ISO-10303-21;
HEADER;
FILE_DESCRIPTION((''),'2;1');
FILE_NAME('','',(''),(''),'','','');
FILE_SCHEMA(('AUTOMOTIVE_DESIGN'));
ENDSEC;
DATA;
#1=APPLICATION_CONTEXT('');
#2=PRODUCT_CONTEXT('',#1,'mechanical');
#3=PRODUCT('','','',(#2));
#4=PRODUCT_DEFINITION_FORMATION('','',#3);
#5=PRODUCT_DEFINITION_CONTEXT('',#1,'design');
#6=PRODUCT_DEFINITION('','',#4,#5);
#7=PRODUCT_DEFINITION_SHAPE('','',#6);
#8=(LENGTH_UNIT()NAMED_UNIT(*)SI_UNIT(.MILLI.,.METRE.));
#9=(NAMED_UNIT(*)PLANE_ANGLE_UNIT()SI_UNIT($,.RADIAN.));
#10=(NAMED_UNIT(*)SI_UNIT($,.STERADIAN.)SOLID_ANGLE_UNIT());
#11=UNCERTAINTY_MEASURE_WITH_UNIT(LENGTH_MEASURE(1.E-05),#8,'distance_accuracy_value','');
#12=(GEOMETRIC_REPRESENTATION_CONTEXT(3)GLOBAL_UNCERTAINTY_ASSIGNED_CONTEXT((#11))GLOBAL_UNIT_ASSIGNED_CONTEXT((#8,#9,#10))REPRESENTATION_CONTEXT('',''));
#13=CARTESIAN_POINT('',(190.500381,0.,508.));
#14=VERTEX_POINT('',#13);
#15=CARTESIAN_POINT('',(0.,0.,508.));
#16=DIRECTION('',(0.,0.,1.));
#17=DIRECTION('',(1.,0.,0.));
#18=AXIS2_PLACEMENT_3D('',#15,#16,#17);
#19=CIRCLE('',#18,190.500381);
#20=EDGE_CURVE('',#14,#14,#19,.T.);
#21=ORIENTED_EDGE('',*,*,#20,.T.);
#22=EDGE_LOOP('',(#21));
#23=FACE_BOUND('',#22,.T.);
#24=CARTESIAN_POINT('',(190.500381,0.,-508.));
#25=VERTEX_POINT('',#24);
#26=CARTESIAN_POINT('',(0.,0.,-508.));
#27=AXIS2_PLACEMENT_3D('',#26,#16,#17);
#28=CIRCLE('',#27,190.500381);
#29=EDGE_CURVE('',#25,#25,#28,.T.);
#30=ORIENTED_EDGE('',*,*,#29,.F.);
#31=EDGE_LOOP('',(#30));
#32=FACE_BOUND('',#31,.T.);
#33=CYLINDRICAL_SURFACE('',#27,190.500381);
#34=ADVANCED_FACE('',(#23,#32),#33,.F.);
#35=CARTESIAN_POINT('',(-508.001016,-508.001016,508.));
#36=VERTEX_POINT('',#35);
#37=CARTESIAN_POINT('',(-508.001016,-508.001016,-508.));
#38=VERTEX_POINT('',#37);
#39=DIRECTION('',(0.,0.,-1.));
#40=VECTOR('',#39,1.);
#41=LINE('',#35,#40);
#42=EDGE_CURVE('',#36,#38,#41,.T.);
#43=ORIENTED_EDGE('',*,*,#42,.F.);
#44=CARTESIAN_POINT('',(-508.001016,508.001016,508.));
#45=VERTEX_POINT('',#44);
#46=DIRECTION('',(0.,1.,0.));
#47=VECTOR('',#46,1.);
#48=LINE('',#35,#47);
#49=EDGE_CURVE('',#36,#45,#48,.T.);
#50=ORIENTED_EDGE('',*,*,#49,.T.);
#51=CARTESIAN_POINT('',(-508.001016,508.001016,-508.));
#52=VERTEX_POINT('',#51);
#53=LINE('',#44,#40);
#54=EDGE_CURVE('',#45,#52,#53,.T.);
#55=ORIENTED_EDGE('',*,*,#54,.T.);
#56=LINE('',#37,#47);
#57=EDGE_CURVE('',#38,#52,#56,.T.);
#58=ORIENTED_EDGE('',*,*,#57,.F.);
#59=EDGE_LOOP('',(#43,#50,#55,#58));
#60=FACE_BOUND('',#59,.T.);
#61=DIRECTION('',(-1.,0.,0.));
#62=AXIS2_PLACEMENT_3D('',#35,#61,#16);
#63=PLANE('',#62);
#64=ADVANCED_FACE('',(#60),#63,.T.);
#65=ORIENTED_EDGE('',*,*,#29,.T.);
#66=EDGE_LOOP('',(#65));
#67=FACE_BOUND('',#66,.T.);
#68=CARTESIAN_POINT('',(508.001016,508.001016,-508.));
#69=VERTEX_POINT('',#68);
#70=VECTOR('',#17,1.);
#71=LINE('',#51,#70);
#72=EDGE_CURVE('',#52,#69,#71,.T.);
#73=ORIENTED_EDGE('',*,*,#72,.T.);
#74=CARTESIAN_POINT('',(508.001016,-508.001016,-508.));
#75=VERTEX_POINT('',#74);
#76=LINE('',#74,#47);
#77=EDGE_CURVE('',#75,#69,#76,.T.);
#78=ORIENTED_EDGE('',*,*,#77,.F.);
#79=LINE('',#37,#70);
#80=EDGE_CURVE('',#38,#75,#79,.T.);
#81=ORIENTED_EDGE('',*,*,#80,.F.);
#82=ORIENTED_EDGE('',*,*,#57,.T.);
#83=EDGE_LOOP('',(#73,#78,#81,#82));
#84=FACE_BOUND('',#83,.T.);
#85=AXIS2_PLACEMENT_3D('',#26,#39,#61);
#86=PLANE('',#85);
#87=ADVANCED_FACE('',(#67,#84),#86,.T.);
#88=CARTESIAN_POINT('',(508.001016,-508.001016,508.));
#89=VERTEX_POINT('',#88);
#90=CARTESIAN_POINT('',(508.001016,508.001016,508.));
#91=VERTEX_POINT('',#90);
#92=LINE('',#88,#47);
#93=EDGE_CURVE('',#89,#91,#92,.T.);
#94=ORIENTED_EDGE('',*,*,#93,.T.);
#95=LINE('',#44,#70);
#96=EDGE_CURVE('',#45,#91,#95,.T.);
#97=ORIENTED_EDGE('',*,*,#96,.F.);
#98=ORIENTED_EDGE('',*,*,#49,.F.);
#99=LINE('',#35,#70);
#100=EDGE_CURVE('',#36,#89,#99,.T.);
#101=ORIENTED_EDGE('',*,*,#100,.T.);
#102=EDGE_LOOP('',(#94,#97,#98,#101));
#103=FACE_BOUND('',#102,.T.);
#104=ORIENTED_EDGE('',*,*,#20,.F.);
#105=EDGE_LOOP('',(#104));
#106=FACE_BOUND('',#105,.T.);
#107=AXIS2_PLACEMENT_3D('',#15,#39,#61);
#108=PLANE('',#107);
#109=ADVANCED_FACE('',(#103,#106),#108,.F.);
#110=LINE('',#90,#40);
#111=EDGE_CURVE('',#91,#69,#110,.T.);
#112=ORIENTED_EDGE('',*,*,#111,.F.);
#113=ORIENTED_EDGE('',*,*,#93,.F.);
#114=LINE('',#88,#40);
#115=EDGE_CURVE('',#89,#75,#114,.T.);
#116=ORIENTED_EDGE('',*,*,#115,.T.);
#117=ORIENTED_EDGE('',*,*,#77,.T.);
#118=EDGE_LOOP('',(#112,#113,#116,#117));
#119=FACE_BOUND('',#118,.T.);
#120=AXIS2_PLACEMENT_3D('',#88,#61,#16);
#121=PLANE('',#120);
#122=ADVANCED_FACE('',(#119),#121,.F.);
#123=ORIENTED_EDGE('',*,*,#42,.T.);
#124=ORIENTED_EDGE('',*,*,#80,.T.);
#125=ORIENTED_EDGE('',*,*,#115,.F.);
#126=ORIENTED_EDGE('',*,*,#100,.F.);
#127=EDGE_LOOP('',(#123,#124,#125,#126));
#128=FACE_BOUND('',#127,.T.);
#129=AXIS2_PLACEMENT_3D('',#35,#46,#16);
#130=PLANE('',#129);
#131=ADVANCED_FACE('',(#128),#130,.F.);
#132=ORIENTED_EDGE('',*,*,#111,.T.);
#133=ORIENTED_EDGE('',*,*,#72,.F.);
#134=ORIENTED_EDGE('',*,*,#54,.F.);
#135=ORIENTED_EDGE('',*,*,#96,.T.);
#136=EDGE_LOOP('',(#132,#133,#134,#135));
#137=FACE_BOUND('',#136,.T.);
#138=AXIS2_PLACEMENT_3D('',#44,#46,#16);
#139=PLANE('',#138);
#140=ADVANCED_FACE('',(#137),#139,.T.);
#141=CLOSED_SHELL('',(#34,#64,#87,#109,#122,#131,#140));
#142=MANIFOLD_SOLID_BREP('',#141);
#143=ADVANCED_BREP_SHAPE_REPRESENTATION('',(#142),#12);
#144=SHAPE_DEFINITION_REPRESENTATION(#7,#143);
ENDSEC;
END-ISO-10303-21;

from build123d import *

# Parameters (mm, degrees)
SKETCH1_W           = 1016.002032004
SKETCH1_H           = 1016.002032004
BOSS_EXTRUDE1_DEPTH = 508
SKETCH2_R           = 190.500381001
CUT_EXTRUDE1_DEPTH  = 1017


with BuildPart() as part:
    # Sketch1 → Boss-Extrude1 (new body, symmetric)
    with BuildSketch(Plane.XY):
        Rectangle(SKETCH1_W, SKETCH1_H)
    extrude(amount=BOSS_EXTRUDE1_DEPTH, both=True)

    # Sketch2 → Cut-Extrude1 (cut, through all)
    with BuildSketch(Plane.XY.offset(508)):
        Circle(SKETCH2_R)
    extrude(amount=-CUT_EXTRUDE1_DEPTH, mode=Mode.SUBTRACT)


solid = part.part
